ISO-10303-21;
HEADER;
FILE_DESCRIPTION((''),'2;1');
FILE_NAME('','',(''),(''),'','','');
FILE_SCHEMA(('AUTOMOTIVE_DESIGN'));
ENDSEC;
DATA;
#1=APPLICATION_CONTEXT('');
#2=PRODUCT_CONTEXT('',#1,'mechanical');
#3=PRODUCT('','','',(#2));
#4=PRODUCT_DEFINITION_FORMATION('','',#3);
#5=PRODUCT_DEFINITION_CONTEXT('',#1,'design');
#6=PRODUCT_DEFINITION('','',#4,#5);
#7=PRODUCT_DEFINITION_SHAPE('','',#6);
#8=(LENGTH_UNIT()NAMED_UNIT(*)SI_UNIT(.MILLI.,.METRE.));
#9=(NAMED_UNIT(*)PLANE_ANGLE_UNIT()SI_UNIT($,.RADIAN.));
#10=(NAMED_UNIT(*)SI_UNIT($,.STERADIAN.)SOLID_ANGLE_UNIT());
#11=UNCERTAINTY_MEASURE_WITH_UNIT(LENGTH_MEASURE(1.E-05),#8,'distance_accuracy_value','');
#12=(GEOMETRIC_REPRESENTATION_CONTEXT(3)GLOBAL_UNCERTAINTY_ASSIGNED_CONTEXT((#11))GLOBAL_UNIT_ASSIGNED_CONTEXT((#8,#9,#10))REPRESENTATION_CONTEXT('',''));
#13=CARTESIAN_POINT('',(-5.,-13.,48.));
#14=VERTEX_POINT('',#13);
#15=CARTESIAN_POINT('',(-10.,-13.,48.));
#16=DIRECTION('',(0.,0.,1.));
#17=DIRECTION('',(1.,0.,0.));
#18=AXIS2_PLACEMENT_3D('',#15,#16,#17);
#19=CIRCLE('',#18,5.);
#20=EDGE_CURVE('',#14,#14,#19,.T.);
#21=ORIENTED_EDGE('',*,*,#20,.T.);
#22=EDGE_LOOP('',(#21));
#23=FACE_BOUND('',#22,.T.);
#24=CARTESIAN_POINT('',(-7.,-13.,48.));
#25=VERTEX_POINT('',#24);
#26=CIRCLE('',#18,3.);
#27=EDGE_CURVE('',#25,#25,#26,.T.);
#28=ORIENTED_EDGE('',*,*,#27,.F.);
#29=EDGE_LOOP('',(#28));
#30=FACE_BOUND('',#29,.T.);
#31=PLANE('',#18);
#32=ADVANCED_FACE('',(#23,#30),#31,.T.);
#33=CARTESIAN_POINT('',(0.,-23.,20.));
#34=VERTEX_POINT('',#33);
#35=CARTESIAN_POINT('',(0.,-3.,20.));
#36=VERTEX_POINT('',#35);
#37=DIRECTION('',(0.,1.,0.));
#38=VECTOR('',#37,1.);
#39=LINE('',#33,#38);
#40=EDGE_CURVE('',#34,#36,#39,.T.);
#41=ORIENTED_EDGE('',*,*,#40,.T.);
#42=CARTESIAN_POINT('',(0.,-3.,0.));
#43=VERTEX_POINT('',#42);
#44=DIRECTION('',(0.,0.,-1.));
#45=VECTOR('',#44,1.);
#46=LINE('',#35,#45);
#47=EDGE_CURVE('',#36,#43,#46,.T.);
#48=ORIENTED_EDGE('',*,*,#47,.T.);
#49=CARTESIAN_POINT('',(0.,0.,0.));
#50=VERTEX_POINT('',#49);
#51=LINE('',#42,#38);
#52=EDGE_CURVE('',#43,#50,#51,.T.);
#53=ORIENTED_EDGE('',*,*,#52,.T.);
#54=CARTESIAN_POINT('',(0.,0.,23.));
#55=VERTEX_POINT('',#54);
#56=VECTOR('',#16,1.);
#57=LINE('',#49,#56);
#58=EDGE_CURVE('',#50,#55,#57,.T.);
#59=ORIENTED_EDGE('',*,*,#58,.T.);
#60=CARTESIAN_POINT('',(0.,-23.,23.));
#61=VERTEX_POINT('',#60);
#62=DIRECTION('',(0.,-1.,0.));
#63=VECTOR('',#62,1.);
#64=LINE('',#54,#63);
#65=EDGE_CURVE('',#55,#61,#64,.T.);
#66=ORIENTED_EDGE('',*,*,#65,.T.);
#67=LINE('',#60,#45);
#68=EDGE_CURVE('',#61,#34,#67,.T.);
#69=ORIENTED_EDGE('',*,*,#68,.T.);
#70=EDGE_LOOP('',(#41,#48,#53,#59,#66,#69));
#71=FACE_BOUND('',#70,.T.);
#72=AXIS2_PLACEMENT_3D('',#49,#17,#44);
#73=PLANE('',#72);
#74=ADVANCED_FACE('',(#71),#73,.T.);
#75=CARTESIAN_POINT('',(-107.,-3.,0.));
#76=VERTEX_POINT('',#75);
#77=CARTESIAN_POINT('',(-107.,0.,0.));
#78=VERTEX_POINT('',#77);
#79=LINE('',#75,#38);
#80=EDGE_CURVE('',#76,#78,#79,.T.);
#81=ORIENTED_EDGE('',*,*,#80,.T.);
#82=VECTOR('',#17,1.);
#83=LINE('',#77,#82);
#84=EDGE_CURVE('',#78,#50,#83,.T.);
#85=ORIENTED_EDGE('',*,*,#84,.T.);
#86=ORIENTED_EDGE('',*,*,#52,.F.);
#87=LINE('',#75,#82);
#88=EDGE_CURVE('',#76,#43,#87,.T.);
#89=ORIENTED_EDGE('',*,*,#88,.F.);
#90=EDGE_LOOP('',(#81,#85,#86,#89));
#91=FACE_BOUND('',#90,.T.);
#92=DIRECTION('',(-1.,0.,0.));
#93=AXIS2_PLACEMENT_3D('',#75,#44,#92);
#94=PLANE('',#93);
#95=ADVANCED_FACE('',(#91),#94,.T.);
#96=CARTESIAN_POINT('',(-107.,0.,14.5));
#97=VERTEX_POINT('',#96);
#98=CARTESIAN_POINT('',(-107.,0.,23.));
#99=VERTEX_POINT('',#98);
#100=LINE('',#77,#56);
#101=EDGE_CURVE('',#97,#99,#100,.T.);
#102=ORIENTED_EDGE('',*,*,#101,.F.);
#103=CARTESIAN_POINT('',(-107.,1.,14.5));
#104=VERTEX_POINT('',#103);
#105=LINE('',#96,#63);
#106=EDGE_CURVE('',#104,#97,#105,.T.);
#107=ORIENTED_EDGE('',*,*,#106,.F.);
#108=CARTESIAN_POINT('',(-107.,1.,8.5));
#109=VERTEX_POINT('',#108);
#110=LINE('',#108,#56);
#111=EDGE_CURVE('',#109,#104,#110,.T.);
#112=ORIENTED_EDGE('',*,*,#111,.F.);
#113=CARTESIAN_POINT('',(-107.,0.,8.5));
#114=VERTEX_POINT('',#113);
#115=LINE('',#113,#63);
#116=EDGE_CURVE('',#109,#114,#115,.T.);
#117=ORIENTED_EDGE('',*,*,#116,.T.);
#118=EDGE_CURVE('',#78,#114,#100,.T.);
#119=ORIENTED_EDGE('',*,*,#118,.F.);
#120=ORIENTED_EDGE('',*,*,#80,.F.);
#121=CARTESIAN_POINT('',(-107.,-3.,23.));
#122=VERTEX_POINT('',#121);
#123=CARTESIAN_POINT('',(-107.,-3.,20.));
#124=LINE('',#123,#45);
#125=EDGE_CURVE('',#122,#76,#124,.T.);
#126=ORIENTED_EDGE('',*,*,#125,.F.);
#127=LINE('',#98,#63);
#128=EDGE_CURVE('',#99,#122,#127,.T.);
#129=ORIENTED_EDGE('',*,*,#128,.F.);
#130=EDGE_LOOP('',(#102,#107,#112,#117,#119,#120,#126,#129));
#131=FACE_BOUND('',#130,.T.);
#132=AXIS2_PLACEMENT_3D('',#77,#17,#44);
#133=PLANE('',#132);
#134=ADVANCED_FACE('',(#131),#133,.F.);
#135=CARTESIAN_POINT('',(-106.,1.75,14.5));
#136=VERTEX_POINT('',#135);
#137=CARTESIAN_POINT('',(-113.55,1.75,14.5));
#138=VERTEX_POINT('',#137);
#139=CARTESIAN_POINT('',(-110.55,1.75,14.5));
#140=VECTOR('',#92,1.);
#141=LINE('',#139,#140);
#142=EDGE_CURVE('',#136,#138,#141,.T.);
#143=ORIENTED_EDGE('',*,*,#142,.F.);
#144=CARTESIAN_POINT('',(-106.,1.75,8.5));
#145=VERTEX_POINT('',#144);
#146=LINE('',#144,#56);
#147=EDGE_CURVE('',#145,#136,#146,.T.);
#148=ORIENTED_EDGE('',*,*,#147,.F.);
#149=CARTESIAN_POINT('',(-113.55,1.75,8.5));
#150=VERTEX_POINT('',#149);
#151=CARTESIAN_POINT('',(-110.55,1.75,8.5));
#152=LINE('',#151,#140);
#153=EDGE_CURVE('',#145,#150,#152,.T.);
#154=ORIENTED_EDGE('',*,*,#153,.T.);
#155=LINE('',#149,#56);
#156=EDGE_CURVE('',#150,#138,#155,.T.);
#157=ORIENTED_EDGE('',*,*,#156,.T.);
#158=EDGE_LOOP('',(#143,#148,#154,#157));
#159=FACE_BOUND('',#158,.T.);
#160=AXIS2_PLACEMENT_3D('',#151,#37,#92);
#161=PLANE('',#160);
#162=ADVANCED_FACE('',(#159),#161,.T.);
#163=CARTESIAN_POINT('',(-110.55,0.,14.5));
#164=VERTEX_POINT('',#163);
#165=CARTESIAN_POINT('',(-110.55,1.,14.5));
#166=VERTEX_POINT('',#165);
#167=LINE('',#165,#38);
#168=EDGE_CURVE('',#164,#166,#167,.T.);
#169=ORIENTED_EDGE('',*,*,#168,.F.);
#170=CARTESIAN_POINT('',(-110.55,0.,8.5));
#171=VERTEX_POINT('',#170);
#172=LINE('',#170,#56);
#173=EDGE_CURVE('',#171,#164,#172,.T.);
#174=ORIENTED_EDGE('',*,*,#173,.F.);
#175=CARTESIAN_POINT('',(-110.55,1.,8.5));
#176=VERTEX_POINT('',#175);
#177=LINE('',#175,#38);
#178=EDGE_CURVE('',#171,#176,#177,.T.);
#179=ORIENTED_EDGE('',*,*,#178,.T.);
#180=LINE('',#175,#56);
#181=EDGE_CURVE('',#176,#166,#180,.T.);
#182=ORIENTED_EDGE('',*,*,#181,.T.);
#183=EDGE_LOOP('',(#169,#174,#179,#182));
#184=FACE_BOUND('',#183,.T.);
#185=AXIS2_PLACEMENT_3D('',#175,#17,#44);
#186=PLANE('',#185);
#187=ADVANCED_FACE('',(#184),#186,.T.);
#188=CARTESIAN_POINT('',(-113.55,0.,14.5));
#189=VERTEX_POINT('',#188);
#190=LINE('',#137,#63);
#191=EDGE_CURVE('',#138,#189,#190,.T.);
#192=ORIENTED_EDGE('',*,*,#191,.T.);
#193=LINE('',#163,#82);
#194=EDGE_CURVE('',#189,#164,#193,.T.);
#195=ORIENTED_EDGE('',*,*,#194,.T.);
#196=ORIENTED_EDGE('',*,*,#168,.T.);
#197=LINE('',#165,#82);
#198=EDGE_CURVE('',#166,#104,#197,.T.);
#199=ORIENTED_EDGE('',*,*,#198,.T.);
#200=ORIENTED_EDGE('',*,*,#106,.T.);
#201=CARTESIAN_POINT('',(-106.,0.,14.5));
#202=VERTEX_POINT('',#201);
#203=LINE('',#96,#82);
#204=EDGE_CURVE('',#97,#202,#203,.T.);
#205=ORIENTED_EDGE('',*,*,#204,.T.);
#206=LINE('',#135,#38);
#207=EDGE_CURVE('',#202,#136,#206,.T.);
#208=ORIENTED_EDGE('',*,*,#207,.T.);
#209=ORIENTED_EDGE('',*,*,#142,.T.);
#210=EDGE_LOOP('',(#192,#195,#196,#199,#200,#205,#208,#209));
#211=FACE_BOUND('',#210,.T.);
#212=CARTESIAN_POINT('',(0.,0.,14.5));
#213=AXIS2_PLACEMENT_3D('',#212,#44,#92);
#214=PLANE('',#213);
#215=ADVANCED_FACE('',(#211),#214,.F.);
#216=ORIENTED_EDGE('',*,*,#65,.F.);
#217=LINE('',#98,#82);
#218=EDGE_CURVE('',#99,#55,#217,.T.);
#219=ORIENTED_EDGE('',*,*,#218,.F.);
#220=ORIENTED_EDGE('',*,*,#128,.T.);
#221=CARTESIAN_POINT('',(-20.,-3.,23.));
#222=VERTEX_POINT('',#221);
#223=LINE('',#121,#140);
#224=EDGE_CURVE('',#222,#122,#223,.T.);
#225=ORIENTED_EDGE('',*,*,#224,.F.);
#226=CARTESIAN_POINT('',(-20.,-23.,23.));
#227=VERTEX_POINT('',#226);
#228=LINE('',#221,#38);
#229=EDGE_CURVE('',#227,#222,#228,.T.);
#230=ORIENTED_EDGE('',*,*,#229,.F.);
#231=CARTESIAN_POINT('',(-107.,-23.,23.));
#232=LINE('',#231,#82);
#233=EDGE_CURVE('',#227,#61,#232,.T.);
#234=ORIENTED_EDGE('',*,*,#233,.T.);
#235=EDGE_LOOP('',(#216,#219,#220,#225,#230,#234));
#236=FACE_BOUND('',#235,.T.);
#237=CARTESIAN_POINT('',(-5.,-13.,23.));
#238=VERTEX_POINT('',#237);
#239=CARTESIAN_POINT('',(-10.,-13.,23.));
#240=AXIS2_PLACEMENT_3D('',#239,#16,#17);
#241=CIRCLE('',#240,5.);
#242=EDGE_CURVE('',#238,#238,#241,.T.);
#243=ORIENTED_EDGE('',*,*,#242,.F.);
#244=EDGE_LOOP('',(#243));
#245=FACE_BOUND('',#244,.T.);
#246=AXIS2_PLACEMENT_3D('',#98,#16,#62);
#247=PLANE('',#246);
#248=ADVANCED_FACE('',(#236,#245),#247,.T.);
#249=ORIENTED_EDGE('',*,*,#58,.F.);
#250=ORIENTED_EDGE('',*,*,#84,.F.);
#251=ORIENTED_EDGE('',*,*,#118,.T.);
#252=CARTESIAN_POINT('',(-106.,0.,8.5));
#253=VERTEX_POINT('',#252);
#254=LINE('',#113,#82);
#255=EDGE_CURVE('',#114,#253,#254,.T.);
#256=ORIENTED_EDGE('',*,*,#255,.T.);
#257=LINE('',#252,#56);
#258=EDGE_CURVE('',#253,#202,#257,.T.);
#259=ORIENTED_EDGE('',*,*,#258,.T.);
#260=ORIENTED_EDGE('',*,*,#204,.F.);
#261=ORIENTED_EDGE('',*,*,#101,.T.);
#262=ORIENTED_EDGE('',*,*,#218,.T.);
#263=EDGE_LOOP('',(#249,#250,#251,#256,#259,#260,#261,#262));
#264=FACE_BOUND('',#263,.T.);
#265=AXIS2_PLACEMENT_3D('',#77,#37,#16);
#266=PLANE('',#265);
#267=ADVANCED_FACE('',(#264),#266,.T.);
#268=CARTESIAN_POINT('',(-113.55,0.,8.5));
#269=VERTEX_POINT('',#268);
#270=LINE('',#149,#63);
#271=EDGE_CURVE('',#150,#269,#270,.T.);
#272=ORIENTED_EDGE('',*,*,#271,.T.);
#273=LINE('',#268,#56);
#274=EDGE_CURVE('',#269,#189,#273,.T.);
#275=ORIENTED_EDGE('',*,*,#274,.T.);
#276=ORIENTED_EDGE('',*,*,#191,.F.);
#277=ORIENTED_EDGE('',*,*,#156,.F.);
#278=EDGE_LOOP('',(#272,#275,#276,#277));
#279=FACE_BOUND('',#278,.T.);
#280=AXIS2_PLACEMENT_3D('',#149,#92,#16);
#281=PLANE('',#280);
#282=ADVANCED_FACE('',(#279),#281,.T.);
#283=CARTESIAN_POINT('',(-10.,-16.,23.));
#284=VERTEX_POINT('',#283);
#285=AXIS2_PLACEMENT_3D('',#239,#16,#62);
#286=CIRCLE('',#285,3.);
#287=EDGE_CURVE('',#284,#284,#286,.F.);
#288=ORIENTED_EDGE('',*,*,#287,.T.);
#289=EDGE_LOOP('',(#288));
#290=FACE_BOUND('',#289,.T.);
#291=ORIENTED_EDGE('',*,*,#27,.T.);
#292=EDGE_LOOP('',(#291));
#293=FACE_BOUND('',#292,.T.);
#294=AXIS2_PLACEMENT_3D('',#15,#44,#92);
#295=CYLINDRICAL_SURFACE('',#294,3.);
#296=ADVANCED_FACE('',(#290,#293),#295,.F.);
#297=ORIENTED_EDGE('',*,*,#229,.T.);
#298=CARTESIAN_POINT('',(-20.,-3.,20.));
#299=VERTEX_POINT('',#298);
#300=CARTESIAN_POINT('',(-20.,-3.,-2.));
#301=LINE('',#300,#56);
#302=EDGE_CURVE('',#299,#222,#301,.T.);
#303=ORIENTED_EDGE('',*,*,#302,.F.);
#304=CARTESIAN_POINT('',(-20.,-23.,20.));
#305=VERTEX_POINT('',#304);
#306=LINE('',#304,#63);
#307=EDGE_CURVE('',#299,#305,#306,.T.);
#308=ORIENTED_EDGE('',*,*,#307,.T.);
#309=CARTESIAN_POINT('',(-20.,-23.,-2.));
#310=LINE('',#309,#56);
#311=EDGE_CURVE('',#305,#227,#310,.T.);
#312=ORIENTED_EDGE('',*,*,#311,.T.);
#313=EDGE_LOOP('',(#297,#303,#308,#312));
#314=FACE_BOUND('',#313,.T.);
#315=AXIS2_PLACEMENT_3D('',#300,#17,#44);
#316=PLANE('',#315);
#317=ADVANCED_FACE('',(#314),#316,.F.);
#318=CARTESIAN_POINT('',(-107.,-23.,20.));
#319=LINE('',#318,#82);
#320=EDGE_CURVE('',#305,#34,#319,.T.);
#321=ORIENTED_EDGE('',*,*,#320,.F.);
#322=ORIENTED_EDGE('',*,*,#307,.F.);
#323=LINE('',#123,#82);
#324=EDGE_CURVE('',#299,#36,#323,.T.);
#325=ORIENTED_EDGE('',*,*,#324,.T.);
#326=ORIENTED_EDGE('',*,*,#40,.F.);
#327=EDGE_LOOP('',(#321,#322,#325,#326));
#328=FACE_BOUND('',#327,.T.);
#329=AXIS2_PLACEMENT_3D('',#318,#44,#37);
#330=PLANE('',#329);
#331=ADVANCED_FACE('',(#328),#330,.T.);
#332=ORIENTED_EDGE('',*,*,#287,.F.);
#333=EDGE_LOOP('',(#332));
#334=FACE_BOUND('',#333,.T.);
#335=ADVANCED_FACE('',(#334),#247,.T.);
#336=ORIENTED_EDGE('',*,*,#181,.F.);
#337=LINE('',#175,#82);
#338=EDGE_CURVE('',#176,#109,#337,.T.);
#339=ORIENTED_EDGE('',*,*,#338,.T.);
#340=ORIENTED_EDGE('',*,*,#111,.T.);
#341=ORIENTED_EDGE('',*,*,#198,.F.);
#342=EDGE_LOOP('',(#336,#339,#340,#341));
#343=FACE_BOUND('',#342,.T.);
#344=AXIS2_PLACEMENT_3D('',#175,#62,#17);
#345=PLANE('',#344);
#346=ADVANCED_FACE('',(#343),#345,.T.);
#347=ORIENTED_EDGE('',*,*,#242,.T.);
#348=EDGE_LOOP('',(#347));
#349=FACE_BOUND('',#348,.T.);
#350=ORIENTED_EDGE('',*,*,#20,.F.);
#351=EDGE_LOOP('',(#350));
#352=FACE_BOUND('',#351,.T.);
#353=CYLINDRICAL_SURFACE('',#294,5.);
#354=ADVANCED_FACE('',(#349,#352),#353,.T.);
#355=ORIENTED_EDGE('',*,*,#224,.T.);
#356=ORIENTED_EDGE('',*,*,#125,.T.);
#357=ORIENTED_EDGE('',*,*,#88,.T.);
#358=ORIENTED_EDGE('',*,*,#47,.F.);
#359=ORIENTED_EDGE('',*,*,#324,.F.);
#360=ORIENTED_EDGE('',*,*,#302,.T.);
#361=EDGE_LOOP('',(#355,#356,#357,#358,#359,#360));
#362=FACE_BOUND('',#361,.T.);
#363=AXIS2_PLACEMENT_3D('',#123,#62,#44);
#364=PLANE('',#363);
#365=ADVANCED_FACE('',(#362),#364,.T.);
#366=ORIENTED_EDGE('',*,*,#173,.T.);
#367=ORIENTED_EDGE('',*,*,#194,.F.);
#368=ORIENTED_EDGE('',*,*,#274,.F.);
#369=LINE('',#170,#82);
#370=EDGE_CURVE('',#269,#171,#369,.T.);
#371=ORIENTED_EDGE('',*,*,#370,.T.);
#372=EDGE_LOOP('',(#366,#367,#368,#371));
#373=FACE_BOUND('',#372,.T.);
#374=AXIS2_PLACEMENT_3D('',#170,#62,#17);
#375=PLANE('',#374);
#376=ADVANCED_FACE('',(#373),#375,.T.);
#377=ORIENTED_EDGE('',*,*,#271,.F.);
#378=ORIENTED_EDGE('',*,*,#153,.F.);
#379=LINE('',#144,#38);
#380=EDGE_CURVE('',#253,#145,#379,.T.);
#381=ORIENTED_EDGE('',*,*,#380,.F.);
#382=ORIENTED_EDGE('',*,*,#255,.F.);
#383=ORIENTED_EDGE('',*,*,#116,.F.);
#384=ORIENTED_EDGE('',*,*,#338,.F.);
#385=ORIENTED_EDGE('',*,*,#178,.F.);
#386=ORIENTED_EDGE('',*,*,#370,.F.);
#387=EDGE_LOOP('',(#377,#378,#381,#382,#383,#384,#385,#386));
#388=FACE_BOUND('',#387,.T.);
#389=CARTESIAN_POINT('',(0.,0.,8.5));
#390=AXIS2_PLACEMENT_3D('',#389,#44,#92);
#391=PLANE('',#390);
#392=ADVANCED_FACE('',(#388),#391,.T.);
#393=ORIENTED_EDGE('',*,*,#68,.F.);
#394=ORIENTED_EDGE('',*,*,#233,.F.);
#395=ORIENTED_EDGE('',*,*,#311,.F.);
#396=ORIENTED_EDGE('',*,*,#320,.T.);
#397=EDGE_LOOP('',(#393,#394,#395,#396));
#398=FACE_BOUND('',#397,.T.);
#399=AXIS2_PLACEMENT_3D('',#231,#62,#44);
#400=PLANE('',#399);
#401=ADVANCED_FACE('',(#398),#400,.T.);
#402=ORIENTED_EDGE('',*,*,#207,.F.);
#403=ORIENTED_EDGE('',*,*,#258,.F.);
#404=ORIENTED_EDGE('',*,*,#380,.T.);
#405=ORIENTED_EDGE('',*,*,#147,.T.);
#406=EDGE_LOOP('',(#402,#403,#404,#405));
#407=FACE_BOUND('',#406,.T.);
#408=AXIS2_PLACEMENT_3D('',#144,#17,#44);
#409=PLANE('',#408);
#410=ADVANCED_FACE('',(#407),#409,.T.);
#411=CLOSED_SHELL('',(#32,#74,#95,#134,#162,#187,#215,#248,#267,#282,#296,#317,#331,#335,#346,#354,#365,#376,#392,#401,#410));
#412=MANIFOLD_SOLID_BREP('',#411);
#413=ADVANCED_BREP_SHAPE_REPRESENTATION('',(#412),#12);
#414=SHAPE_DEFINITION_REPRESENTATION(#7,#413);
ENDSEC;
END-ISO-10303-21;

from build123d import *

# Parameters (mm, degrees)
BOSS_EXTRUDE1_DEPTH      = 107
SKETCH7_W                = 87
SKETCH7_H                = 20
CUT_EXTRUDE4_DEPTH       = 25
SKETCH8_R                = 5
SKETCH8_R_2              = 3
BOSS_EXTRUDE3_DEPTH      = 25
BOSS_EXTRUDE4_DEPTH      = 3
BOSS_EXTRUDE4_DEPTH_BACK = 3
BOSS_EXTRUDE4_START      = 11.5


with BuildPart() as part:
    # Sketch2 → Boss-Extrude1 (new body)
    with BuildSketch(Plane(origin=(0, 0, 0), x_dir=(0, 0, -1), z_dir=(1, 0, 0))):
        Polygon((0, 0), (-23, 0), (-23, -23), (-20, -23), (-20, -3), (0, -3), align=None)
    extrude(amount=-BOSS_EXTRUDE1_DEPTH)

    # Sketch7 → Cut-Extrude4 (cut)
    with BuildSketch(Plane.XY.offset(23)):
        with Locations((-63.5, -13)):
            Rectangle(SKETCH7_W, SKETCH7_H)
    extrude(amount=-CUT_EXTRUDE4_DEPTH, mode=Mode.SUBTRACT)

    # Sketch8 → Boss-Extrude3 (add)
    with BuildSketch(Plane.XY.offset(23)):
        with Locations((-10, -13)):
            Circle(SKETCH8_R)
        with Locations(Location((-10, -13, 0), (0, 0, 270))):
            Circle(SKETCH8_R_2, mode=Mode.SUBTRACT)
    extrude(amount=BOSS_EXTRUDE3_DEPTH)

    # Sketch9 → Boss-Extrude4 (add, two sides: drawn at the far end of the back side and taken through both)
    with BuildSketch(Plane.XY.offset(BOSS_EXTRUDE4_START - BOSS_EXTRUDE4_DEPTH_BACK)):
        Polygon((-107, 0), (-107, 1), (-110.55, 1), (-110.55, 0), (-113.55, 0), (-113.55, 1.75), (-110.55, 1.75), (-106, 1.75), (-106, 0), align=None)
    extrude(amount=BOSS_EXTRUDE4_DEPTH + BOSS_EXTRUDE4_DEPTH_BACK)


solid = part.part
